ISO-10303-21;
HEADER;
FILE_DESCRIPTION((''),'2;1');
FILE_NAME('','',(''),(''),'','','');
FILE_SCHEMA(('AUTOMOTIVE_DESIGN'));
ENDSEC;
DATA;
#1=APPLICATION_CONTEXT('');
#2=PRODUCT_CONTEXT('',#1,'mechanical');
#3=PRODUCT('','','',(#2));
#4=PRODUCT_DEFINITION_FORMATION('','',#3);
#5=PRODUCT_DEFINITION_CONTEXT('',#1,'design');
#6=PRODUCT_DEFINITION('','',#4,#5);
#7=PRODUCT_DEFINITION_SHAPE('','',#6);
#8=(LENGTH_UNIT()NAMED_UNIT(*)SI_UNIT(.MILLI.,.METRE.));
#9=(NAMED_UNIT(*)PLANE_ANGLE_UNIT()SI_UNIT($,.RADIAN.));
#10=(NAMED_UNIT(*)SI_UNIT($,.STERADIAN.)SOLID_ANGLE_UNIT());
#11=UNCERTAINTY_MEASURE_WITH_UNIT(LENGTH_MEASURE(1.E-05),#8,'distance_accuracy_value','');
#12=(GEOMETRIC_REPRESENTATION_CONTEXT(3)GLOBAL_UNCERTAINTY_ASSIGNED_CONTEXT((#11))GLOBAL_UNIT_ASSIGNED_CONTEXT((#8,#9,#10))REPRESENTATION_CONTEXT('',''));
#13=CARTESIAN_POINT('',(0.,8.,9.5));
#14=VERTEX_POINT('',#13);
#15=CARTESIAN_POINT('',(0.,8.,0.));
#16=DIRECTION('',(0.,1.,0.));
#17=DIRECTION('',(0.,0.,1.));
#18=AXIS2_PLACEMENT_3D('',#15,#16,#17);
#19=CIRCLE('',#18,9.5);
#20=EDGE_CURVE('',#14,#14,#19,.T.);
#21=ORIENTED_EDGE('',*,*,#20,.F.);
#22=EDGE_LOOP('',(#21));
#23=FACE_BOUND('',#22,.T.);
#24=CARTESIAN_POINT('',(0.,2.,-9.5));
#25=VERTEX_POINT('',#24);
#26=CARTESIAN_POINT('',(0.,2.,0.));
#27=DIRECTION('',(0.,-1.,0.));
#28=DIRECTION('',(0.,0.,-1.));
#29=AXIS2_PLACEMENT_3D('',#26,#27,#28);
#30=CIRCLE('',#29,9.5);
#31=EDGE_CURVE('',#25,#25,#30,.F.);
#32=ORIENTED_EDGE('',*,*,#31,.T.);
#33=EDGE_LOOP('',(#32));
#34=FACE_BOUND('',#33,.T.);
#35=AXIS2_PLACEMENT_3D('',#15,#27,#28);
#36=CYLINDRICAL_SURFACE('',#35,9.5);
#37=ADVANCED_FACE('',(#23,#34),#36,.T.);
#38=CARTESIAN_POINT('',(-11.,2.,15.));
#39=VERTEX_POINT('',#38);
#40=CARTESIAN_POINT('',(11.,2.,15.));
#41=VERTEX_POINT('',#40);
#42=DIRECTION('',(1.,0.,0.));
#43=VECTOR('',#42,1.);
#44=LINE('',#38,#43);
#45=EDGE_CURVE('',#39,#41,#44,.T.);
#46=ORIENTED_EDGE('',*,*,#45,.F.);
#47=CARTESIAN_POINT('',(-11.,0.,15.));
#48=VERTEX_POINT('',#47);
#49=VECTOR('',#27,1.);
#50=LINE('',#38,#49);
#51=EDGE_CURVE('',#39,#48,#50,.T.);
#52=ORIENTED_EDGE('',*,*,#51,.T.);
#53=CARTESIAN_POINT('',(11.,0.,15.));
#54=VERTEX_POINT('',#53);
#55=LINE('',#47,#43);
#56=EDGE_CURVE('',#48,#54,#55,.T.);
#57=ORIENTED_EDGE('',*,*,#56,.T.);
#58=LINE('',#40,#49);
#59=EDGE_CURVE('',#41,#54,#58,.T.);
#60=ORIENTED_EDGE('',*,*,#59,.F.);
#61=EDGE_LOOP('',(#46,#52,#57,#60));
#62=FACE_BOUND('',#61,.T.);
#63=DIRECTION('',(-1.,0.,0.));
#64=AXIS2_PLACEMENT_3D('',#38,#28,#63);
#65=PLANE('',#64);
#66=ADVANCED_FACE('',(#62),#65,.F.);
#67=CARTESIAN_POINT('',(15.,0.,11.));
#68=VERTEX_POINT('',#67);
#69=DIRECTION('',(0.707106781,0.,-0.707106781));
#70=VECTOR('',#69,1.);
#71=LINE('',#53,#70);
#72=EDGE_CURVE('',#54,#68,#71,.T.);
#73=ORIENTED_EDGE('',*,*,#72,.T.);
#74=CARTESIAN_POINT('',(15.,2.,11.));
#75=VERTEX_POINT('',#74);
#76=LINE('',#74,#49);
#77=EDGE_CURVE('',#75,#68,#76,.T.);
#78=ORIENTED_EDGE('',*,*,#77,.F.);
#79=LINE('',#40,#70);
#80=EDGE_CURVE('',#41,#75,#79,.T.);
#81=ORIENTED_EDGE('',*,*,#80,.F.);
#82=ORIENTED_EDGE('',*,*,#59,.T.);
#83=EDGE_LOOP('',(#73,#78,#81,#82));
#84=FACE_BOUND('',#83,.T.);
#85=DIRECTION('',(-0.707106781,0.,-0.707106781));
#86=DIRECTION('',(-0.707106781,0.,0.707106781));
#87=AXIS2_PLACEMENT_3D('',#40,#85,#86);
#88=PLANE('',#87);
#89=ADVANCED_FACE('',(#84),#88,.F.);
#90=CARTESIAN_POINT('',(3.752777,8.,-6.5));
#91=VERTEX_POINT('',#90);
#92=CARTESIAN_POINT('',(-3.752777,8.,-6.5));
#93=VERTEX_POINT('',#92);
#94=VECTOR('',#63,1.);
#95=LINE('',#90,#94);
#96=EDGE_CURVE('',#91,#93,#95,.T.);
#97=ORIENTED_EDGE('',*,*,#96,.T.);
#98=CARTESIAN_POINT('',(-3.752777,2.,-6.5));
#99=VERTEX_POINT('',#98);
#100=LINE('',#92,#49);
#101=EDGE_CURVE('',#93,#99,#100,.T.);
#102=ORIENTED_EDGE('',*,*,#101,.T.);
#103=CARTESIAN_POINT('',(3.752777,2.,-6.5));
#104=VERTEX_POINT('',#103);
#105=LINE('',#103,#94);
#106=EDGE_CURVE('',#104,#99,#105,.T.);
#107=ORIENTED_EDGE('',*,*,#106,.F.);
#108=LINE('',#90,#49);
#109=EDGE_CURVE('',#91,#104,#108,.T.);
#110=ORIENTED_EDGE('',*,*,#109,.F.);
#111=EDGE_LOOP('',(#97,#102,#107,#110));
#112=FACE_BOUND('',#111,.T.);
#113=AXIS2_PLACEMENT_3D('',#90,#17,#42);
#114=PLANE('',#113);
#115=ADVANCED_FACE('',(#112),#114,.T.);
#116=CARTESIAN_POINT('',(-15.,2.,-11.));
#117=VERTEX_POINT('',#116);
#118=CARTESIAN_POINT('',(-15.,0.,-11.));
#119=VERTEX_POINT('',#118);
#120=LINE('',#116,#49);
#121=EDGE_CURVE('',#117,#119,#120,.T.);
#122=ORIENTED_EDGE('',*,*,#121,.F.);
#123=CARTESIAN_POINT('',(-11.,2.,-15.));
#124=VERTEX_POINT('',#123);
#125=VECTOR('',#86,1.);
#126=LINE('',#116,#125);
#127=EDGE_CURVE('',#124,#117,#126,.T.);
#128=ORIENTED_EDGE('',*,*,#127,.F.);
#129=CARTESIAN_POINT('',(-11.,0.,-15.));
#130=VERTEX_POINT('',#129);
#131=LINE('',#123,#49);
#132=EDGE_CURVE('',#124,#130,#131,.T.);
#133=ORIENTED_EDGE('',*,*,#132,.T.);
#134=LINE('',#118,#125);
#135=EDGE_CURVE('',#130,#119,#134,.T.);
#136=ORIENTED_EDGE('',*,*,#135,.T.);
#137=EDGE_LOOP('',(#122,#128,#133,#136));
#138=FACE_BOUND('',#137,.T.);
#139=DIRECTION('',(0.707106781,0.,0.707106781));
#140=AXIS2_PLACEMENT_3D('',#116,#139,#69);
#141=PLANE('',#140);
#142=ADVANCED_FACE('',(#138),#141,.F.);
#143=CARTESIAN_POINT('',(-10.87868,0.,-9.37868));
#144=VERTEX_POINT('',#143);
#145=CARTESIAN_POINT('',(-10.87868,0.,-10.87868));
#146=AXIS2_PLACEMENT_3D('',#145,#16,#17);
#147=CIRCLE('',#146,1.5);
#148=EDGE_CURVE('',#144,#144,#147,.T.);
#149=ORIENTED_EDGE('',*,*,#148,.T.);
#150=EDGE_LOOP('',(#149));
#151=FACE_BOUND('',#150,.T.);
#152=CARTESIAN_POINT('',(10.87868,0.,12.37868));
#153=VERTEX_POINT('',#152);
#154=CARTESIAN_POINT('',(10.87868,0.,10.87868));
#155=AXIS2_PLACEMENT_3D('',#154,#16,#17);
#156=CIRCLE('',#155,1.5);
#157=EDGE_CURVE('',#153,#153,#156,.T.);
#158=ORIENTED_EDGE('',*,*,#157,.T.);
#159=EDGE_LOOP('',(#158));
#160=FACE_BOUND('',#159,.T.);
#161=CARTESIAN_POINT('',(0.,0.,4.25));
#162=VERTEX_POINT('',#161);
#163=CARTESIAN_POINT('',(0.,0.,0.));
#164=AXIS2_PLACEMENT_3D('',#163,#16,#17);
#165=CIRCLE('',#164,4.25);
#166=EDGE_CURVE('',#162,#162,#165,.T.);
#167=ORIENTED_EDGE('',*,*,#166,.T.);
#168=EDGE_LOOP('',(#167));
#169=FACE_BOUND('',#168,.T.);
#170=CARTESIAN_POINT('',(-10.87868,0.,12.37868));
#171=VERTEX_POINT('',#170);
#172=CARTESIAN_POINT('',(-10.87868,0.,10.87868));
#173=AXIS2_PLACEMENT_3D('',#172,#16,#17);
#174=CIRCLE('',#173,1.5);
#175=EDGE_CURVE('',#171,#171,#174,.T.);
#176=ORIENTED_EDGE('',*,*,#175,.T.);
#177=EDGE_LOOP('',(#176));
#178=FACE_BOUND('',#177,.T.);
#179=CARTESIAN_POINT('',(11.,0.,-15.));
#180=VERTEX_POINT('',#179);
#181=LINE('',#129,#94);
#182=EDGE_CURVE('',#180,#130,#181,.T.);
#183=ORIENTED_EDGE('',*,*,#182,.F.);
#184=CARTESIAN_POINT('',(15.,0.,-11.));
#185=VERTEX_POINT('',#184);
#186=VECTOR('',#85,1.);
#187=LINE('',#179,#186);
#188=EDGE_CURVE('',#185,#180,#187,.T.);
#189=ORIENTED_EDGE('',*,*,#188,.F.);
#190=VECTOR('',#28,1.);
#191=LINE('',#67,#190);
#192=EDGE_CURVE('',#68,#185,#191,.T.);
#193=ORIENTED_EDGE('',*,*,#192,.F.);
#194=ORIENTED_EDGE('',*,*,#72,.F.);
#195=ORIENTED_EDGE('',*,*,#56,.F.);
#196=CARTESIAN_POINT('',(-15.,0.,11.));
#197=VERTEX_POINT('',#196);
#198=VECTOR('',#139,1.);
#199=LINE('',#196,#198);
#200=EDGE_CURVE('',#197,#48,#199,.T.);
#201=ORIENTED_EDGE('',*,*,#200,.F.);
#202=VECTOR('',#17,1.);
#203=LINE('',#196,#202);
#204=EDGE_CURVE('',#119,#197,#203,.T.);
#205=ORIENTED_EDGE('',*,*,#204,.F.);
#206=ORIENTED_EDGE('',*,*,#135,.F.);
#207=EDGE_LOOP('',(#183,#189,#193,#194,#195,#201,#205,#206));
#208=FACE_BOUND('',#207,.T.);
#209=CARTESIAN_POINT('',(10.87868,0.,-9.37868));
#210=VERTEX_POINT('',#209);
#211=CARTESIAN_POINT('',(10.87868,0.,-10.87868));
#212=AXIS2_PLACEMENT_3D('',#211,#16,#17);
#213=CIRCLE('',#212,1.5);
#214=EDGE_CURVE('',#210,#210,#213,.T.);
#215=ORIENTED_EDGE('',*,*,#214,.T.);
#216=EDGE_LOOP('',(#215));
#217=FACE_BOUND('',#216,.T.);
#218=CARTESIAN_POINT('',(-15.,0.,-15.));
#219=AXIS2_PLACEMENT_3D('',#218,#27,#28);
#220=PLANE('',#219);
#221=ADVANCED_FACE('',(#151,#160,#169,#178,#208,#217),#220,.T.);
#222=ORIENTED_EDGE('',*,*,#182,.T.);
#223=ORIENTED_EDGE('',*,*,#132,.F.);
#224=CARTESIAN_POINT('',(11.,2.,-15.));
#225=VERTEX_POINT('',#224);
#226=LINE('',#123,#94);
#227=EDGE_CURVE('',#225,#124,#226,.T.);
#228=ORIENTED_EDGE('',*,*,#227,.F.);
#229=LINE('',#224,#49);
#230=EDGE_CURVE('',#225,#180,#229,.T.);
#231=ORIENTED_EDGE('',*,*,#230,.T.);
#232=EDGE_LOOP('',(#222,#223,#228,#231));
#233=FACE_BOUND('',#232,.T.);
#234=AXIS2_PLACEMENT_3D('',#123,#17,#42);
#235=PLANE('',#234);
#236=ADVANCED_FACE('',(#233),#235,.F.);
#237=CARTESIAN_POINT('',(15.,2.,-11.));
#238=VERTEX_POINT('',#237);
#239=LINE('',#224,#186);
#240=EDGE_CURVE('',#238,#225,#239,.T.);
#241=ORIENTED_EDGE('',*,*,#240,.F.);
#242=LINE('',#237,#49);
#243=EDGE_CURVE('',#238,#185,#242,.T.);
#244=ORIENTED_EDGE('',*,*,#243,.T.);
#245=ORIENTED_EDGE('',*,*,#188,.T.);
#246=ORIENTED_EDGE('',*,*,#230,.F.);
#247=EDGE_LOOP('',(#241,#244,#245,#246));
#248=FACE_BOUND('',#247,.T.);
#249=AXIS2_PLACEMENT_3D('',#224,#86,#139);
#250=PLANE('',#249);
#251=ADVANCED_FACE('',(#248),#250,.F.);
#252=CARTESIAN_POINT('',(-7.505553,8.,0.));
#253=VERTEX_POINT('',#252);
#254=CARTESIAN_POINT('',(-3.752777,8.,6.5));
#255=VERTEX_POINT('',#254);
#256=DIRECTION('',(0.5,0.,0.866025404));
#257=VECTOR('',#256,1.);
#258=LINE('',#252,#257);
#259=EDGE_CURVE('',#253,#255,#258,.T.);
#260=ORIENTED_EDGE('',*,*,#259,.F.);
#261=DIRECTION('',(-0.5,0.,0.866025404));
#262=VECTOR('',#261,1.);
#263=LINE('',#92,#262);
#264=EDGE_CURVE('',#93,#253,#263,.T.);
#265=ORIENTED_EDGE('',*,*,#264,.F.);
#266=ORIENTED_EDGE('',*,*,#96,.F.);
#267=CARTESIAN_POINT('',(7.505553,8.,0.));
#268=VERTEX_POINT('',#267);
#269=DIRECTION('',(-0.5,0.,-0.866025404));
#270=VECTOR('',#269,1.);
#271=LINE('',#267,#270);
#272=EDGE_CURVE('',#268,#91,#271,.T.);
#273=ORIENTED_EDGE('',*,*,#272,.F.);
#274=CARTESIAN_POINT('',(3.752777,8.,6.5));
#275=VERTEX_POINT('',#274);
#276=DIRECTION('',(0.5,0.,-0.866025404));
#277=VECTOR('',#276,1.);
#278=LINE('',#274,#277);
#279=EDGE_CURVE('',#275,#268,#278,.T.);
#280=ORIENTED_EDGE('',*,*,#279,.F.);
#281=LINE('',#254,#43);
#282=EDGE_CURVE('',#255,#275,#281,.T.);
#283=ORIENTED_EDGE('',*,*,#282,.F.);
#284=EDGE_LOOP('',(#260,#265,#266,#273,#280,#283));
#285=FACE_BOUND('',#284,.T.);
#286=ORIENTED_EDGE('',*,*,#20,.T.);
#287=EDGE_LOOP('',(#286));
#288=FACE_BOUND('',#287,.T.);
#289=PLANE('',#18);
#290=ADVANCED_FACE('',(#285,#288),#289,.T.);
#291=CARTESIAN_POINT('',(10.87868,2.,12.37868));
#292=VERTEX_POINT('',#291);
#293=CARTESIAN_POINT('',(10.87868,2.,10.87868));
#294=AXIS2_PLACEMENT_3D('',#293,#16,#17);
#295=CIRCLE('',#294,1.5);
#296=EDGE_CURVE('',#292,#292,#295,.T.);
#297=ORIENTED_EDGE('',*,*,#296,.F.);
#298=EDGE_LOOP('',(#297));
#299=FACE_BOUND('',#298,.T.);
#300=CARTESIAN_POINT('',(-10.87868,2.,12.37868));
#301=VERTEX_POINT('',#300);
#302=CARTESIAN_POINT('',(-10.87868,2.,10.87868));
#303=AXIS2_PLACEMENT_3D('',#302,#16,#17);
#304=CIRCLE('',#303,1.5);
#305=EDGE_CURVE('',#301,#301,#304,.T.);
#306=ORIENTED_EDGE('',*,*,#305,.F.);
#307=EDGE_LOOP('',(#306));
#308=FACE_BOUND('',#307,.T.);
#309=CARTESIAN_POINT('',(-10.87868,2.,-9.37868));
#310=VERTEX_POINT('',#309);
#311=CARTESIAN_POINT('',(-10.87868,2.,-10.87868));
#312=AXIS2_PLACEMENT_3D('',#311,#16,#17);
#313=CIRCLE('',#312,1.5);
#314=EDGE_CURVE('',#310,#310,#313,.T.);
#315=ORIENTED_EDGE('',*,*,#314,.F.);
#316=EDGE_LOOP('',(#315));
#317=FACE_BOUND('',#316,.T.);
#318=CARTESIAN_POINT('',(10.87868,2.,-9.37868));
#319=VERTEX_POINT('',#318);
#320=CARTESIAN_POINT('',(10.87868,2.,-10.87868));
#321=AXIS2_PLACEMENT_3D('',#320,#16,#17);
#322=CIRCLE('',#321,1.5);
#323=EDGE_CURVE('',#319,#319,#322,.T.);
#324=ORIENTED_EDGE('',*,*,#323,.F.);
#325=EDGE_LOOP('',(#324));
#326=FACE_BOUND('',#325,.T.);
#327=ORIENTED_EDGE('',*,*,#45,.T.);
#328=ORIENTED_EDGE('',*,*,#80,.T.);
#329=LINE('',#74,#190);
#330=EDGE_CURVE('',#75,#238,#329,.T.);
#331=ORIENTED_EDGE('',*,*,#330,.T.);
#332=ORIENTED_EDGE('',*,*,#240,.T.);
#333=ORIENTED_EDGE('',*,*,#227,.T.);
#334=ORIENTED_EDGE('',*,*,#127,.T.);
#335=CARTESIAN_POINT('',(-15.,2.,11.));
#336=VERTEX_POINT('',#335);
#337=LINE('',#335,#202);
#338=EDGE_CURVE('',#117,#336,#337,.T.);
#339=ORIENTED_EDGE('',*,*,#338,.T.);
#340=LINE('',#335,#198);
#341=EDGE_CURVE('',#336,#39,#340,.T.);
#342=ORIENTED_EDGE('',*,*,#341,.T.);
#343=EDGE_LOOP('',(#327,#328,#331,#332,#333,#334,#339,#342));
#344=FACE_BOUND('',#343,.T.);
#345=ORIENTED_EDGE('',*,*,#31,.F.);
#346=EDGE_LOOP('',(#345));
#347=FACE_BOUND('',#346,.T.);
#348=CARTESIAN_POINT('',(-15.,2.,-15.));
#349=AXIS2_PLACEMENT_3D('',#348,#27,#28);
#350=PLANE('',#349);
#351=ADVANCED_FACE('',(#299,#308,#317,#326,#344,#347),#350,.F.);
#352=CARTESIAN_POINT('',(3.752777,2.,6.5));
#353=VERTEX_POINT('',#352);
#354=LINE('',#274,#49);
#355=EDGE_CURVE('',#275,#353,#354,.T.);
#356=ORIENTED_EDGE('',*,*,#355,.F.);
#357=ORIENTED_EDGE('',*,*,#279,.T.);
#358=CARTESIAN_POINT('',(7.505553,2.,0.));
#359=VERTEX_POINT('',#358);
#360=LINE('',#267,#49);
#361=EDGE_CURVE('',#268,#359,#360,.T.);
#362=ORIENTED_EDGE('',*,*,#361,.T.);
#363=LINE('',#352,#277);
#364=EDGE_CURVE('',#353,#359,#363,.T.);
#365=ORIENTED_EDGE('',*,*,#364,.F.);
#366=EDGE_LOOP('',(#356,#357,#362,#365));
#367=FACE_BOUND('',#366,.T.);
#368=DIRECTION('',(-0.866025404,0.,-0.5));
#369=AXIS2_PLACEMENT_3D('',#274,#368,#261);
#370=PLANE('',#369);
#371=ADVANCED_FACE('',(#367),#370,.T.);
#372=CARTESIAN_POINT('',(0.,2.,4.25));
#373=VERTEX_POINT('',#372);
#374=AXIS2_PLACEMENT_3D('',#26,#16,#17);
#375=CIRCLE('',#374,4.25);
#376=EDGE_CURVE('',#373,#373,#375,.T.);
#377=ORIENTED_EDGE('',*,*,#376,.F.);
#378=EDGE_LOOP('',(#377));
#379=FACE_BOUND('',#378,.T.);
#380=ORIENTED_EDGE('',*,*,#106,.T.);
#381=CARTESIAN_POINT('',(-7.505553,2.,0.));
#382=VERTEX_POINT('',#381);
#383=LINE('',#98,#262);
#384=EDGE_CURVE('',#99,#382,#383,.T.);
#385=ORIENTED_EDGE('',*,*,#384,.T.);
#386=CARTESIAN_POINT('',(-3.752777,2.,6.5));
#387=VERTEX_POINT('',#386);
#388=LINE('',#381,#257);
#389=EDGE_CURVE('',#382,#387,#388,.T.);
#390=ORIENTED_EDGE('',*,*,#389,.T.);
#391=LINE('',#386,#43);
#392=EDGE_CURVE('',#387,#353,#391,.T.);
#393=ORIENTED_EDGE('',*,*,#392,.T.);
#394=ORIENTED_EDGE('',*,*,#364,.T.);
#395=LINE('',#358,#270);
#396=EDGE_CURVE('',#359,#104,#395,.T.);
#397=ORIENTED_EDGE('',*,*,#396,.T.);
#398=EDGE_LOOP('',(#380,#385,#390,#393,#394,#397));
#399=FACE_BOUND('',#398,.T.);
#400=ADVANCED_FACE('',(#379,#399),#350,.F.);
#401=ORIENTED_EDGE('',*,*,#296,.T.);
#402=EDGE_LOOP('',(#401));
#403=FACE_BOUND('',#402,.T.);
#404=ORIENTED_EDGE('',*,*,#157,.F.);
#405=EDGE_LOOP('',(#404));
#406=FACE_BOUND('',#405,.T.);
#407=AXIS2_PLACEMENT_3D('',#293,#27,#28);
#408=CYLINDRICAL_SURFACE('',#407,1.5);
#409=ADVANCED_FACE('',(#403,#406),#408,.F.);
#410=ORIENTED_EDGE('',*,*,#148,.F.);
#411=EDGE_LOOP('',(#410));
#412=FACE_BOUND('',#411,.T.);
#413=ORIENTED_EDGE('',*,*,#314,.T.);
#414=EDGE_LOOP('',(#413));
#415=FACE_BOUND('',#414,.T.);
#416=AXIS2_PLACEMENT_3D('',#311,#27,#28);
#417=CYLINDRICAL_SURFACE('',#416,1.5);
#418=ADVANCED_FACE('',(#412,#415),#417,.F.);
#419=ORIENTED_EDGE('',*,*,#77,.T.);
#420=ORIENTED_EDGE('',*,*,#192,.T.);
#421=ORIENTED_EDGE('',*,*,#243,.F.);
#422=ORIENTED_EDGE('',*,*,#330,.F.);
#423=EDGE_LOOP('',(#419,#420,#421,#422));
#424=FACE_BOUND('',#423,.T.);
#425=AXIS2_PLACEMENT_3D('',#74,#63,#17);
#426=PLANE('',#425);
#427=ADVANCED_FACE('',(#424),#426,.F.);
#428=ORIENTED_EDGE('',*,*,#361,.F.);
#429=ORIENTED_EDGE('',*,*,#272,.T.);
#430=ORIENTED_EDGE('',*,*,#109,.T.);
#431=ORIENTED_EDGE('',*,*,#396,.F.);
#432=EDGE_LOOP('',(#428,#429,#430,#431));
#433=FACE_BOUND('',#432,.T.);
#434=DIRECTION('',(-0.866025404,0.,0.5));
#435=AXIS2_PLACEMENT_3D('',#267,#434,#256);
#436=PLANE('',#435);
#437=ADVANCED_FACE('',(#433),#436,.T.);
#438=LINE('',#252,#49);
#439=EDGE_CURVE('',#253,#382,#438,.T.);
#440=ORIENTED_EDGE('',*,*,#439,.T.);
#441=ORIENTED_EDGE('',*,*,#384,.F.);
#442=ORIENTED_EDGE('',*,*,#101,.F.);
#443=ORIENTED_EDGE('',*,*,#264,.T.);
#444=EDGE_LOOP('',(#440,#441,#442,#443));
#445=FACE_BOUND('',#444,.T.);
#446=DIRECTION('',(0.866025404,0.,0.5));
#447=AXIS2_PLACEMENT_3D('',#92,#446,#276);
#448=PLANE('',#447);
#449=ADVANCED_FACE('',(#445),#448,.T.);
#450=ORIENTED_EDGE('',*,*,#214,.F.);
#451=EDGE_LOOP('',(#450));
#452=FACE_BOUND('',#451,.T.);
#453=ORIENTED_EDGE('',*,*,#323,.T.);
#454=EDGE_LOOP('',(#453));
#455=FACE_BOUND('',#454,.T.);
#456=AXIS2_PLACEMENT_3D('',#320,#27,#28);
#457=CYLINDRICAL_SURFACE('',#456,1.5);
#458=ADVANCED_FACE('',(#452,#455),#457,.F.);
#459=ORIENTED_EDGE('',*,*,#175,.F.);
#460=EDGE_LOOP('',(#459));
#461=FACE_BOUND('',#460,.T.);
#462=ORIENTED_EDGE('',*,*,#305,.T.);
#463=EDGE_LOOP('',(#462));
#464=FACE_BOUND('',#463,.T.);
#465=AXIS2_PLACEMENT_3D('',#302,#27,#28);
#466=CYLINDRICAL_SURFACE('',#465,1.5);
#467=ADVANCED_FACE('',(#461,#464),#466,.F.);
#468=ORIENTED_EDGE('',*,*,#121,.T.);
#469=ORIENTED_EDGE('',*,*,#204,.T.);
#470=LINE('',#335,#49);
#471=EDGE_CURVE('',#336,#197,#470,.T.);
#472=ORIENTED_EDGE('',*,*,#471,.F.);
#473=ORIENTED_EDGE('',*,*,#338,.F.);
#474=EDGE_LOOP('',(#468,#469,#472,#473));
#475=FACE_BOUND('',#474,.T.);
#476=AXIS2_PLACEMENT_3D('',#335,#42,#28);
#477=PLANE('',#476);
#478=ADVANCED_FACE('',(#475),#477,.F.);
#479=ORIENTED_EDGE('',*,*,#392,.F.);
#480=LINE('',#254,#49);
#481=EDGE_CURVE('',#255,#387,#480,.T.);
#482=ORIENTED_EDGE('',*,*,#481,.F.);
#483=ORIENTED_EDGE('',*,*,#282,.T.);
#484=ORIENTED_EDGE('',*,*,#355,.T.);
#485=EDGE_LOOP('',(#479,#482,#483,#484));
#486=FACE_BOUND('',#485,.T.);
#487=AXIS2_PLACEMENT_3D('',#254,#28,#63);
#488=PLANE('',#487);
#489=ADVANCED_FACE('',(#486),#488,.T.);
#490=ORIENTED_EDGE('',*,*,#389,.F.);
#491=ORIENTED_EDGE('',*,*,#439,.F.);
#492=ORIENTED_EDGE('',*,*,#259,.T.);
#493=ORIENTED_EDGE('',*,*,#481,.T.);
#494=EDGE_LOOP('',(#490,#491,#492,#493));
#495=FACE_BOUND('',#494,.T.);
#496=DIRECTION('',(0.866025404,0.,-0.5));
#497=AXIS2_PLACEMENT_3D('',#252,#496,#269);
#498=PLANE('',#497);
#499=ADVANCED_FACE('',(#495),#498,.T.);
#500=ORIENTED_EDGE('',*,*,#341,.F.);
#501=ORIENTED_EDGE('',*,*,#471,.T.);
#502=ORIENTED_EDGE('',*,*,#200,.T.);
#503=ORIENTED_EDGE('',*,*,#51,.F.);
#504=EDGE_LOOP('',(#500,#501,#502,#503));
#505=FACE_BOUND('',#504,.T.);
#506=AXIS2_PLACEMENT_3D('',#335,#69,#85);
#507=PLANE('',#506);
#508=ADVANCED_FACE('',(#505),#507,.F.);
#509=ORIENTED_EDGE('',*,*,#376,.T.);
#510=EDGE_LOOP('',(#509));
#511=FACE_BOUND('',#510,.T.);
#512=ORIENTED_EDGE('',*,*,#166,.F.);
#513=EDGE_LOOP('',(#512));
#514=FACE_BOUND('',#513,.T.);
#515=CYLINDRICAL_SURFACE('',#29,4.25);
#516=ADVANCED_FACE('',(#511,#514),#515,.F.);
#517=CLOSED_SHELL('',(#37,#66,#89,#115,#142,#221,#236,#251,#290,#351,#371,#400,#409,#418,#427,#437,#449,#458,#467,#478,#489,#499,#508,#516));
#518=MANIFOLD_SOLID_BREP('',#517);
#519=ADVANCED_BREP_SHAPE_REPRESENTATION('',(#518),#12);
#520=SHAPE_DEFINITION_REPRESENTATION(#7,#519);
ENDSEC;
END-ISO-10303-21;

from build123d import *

# Parameters (mm, degrees)
SKETCH1_R           = 4.25
SKETCH1_R_2         = 1.5
BOSS_EXTRUDE1_DEPTH = 2
SKETCH2_R           = 9.5
BOSS_EXTRUDE2_DEPTH = 6


with BuildPart() as part:
    # Sketch1 → Boss-Extrude1 (new body)
    with BuildSketch(Plane(origin=(0, 0, 0), x_dir=(1, 0, 0), z_dir=(0, 1, 0))):
        Polygon((-15, 11), (-11, 15), (11, 15), (15, 11), (15, -11), (11, -15), (-11, -15), (-15, -11), align=None)
        with Locations(Location((0, 0, 0), (0, 0, 270))):
            Circle(SKETCH1_R, mode=Mode.SUBTRACT)
        with Locations(Location((-10.878679656, -10.878679656, 0), (0, 0, 270))):
            Circle(SKETCH1_R_2, mode=Mode.SUBTRACT)
        with Locations(Location((-10.878679656, 10.878679656, 0), (0, 0, 270))):
            Circle(SKETCH1_R_2, mode=Mode.SUBTRACT)
        with Locations(Location((10.878679656, 10.878679656, 0), (0, 0, 270))):
            Circle(SKETCH1_R_2, mode=Mode.SUBTRACT)
        with Locations(Location((10.878679656, -10.878679656, 0), (0, 0, 270))):
            Circle(SKETCH1_R_2, mode=Mode.SUBTRACT)
    extrude(amount=BOSS_EXTRUDE1_DEPTH)

    # Sketch2 → Boss-Extrude2 (add)
    with BuildSketch(Plane(origin=(0, 2, 0), x_dir=(1, 0, 0), z_dir=(0, 1, 0))):
        with Locations(Location((0, 0, 0), (0, 0, 90))):
            Circle(SKETCH2_R)
        Polygon((7.505553499, 0), (3.75277675, 6.5), (-3.75277675, 6.5), (-7.505553499, 0), (-3.75277675, -6.5), (3.75277675, -6.5), align=None, mode=Mode.SUBTRACT)
    extrude(amount=BOSS_EXTRUDE2_DEPTH)


solid = part.part
